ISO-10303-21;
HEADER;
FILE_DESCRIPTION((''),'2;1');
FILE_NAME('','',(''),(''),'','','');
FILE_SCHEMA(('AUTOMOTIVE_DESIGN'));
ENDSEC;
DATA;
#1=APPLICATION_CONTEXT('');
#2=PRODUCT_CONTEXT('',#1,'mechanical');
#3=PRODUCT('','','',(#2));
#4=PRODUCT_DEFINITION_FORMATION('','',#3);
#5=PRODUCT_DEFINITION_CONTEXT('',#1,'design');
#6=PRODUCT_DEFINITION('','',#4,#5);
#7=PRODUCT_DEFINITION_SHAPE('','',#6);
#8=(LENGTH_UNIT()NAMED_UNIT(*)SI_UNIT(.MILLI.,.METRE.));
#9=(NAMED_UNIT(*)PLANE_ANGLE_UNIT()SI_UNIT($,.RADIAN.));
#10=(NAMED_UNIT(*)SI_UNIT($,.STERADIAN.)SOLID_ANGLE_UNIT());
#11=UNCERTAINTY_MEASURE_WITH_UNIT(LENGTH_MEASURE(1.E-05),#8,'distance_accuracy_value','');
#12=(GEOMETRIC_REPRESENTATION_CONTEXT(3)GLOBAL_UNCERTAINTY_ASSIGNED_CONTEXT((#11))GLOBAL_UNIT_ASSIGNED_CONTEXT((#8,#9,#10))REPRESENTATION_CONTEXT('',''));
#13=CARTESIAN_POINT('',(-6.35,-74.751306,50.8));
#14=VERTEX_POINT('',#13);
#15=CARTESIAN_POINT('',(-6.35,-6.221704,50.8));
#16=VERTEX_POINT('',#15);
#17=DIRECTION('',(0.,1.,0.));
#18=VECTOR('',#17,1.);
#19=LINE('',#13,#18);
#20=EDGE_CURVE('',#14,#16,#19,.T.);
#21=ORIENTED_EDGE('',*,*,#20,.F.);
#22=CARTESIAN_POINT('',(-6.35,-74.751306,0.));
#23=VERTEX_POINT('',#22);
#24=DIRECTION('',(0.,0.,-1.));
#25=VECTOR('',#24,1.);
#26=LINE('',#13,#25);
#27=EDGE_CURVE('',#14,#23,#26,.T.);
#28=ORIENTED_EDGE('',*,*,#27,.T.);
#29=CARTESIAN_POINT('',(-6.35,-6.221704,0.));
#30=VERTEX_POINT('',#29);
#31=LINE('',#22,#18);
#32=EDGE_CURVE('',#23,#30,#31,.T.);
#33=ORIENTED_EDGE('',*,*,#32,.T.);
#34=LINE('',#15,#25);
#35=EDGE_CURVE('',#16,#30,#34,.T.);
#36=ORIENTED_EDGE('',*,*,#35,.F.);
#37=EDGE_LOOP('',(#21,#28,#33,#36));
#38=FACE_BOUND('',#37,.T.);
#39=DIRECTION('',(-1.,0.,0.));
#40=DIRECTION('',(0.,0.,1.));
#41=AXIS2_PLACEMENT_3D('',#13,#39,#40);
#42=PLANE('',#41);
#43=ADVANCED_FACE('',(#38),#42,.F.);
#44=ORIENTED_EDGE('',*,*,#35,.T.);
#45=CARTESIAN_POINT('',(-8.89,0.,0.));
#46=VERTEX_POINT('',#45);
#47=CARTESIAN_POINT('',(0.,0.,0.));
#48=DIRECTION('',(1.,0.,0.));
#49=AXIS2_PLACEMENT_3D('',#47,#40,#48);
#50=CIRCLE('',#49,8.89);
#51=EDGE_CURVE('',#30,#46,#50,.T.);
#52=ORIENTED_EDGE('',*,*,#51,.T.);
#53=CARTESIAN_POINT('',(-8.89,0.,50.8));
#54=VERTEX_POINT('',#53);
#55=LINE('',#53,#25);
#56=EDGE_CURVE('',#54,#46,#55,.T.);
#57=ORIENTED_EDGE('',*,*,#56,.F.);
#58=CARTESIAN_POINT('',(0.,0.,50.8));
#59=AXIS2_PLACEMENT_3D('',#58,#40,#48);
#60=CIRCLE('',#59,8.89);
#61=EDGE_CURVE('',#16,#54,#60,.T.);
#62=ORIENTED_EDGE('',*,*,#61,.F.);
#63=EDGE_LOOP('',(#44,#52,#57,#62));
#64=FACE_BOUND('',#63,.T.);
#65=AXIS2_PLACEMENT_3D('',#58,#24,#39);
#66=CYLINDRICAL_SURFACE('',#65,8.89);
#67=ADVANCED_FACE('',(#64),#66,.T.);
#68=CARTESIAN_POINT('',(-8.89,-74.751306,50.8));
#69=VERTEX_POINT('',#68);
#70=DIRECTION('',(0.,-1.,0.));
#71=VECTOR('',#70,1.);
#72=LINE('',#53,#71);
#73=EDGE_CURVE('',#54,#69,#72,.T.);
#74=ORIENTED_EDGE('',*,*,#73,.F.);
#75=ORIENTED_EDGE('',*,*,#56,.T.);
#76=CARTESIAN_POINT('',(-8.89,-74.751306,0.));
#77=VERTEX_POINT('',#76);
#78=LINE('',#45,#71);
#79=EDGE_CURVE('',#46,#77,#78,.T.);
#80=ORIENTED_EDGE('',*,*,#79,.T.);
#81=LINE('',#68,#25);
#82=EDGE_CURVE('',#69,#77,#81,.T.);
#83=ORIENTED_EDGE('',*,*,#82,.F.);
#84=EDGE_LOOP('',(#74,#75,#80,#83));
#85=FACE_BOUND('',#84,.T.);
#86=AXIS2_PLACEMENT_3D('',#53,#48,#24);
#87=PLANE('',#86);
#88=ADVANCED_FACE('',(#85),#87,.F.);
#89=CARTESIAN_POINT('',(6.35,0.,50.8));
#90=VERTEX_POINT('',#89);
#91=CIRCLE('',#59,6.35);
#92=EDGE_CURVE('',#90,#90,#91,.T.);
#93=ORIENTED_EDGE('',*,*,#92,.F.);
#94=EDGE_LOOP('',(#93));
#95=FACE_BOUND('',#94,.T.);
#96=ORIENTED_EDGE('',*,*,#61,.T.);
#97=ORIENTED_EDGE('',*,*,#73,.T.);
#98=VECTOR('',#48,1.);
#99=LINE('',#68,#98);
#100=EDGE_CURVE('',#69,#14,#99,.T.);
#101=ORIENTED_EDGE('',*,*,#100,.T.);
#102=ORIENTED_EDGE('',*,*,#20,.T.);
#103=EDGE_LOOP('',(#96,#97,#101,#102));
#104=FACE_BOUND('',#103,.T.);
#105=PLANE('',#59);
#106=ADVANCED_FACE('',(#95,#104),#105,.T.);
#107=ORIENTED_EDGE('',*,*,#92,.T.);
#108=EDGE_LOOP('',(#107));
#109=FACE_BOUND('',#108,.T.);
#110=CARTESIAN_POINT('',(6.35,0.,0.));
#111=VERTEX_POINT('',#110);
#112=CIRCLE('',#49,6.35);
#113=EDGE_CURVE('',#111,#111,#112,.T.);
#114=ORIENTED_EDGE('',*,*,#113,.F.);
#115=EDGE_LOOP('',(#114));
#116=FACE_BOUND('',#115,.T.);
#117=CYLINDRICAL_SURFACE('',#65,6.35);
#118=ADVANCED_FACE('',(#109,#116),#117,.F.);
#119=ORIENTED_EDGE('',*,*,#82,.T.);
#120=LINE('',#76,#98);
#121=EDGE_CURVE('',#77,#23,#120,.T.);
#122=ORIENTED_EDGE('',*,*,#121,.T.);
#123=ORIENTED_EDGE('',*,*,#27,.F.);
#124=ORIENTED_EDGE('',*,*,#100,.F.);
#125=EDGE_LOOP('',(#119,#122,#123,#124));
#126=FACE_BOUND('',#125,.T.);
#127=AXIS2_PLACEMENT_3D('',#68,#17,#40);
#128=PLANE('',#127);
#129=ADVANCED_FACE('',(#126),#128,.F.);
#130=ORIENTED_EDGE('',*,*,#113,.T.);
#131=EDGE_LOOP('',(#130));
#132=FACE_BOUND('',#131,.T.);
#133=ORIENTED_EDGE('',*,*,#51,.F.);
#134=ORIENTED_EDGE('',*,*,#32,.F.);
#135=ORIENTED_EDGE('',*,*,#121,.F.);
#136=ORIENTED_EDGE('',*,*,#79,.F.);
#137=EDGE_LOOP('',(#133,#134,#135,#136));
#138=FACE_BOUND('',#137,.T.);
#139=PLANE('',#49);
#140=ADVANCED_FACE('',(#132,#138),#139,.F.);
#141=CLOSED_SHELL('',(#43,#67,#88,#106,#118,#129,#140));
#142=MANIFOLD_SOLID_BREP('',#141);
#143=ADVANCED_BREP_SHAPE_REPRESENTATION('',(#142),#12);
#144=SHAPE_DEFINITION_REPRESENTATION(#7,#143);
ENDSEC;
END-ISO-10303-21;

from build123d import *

# Parameters (mm, degrees)
SKETCH1_R           = 6.35
BOSS_EXTRUDE1_DEPTH = 50.8


with BuildPart() as part:
    # Sketch1 → Boss-Extrude1 (new body)
    with BuildSketch(Plane.XY):
        with BuildLine():
            Line((-8.89, 0), (-8.89, -74.75130564))
            Line((-8.89, -74.75130564), (-6.35, -74.75130564))
            Line((-6.35, -74.75130564), (-6.35, -6.221703947))
            ThreePointArc((-6.35, -6.221703947), (8.230540687, 3.360104165), (-8.89, 0))
        make_face()
        Circle(SKETCH1_R, mode=Mode.SUBTRACT)
    extrude(amount=BOSS_EXTRUDE1_DEPTH)


solid = part.part
